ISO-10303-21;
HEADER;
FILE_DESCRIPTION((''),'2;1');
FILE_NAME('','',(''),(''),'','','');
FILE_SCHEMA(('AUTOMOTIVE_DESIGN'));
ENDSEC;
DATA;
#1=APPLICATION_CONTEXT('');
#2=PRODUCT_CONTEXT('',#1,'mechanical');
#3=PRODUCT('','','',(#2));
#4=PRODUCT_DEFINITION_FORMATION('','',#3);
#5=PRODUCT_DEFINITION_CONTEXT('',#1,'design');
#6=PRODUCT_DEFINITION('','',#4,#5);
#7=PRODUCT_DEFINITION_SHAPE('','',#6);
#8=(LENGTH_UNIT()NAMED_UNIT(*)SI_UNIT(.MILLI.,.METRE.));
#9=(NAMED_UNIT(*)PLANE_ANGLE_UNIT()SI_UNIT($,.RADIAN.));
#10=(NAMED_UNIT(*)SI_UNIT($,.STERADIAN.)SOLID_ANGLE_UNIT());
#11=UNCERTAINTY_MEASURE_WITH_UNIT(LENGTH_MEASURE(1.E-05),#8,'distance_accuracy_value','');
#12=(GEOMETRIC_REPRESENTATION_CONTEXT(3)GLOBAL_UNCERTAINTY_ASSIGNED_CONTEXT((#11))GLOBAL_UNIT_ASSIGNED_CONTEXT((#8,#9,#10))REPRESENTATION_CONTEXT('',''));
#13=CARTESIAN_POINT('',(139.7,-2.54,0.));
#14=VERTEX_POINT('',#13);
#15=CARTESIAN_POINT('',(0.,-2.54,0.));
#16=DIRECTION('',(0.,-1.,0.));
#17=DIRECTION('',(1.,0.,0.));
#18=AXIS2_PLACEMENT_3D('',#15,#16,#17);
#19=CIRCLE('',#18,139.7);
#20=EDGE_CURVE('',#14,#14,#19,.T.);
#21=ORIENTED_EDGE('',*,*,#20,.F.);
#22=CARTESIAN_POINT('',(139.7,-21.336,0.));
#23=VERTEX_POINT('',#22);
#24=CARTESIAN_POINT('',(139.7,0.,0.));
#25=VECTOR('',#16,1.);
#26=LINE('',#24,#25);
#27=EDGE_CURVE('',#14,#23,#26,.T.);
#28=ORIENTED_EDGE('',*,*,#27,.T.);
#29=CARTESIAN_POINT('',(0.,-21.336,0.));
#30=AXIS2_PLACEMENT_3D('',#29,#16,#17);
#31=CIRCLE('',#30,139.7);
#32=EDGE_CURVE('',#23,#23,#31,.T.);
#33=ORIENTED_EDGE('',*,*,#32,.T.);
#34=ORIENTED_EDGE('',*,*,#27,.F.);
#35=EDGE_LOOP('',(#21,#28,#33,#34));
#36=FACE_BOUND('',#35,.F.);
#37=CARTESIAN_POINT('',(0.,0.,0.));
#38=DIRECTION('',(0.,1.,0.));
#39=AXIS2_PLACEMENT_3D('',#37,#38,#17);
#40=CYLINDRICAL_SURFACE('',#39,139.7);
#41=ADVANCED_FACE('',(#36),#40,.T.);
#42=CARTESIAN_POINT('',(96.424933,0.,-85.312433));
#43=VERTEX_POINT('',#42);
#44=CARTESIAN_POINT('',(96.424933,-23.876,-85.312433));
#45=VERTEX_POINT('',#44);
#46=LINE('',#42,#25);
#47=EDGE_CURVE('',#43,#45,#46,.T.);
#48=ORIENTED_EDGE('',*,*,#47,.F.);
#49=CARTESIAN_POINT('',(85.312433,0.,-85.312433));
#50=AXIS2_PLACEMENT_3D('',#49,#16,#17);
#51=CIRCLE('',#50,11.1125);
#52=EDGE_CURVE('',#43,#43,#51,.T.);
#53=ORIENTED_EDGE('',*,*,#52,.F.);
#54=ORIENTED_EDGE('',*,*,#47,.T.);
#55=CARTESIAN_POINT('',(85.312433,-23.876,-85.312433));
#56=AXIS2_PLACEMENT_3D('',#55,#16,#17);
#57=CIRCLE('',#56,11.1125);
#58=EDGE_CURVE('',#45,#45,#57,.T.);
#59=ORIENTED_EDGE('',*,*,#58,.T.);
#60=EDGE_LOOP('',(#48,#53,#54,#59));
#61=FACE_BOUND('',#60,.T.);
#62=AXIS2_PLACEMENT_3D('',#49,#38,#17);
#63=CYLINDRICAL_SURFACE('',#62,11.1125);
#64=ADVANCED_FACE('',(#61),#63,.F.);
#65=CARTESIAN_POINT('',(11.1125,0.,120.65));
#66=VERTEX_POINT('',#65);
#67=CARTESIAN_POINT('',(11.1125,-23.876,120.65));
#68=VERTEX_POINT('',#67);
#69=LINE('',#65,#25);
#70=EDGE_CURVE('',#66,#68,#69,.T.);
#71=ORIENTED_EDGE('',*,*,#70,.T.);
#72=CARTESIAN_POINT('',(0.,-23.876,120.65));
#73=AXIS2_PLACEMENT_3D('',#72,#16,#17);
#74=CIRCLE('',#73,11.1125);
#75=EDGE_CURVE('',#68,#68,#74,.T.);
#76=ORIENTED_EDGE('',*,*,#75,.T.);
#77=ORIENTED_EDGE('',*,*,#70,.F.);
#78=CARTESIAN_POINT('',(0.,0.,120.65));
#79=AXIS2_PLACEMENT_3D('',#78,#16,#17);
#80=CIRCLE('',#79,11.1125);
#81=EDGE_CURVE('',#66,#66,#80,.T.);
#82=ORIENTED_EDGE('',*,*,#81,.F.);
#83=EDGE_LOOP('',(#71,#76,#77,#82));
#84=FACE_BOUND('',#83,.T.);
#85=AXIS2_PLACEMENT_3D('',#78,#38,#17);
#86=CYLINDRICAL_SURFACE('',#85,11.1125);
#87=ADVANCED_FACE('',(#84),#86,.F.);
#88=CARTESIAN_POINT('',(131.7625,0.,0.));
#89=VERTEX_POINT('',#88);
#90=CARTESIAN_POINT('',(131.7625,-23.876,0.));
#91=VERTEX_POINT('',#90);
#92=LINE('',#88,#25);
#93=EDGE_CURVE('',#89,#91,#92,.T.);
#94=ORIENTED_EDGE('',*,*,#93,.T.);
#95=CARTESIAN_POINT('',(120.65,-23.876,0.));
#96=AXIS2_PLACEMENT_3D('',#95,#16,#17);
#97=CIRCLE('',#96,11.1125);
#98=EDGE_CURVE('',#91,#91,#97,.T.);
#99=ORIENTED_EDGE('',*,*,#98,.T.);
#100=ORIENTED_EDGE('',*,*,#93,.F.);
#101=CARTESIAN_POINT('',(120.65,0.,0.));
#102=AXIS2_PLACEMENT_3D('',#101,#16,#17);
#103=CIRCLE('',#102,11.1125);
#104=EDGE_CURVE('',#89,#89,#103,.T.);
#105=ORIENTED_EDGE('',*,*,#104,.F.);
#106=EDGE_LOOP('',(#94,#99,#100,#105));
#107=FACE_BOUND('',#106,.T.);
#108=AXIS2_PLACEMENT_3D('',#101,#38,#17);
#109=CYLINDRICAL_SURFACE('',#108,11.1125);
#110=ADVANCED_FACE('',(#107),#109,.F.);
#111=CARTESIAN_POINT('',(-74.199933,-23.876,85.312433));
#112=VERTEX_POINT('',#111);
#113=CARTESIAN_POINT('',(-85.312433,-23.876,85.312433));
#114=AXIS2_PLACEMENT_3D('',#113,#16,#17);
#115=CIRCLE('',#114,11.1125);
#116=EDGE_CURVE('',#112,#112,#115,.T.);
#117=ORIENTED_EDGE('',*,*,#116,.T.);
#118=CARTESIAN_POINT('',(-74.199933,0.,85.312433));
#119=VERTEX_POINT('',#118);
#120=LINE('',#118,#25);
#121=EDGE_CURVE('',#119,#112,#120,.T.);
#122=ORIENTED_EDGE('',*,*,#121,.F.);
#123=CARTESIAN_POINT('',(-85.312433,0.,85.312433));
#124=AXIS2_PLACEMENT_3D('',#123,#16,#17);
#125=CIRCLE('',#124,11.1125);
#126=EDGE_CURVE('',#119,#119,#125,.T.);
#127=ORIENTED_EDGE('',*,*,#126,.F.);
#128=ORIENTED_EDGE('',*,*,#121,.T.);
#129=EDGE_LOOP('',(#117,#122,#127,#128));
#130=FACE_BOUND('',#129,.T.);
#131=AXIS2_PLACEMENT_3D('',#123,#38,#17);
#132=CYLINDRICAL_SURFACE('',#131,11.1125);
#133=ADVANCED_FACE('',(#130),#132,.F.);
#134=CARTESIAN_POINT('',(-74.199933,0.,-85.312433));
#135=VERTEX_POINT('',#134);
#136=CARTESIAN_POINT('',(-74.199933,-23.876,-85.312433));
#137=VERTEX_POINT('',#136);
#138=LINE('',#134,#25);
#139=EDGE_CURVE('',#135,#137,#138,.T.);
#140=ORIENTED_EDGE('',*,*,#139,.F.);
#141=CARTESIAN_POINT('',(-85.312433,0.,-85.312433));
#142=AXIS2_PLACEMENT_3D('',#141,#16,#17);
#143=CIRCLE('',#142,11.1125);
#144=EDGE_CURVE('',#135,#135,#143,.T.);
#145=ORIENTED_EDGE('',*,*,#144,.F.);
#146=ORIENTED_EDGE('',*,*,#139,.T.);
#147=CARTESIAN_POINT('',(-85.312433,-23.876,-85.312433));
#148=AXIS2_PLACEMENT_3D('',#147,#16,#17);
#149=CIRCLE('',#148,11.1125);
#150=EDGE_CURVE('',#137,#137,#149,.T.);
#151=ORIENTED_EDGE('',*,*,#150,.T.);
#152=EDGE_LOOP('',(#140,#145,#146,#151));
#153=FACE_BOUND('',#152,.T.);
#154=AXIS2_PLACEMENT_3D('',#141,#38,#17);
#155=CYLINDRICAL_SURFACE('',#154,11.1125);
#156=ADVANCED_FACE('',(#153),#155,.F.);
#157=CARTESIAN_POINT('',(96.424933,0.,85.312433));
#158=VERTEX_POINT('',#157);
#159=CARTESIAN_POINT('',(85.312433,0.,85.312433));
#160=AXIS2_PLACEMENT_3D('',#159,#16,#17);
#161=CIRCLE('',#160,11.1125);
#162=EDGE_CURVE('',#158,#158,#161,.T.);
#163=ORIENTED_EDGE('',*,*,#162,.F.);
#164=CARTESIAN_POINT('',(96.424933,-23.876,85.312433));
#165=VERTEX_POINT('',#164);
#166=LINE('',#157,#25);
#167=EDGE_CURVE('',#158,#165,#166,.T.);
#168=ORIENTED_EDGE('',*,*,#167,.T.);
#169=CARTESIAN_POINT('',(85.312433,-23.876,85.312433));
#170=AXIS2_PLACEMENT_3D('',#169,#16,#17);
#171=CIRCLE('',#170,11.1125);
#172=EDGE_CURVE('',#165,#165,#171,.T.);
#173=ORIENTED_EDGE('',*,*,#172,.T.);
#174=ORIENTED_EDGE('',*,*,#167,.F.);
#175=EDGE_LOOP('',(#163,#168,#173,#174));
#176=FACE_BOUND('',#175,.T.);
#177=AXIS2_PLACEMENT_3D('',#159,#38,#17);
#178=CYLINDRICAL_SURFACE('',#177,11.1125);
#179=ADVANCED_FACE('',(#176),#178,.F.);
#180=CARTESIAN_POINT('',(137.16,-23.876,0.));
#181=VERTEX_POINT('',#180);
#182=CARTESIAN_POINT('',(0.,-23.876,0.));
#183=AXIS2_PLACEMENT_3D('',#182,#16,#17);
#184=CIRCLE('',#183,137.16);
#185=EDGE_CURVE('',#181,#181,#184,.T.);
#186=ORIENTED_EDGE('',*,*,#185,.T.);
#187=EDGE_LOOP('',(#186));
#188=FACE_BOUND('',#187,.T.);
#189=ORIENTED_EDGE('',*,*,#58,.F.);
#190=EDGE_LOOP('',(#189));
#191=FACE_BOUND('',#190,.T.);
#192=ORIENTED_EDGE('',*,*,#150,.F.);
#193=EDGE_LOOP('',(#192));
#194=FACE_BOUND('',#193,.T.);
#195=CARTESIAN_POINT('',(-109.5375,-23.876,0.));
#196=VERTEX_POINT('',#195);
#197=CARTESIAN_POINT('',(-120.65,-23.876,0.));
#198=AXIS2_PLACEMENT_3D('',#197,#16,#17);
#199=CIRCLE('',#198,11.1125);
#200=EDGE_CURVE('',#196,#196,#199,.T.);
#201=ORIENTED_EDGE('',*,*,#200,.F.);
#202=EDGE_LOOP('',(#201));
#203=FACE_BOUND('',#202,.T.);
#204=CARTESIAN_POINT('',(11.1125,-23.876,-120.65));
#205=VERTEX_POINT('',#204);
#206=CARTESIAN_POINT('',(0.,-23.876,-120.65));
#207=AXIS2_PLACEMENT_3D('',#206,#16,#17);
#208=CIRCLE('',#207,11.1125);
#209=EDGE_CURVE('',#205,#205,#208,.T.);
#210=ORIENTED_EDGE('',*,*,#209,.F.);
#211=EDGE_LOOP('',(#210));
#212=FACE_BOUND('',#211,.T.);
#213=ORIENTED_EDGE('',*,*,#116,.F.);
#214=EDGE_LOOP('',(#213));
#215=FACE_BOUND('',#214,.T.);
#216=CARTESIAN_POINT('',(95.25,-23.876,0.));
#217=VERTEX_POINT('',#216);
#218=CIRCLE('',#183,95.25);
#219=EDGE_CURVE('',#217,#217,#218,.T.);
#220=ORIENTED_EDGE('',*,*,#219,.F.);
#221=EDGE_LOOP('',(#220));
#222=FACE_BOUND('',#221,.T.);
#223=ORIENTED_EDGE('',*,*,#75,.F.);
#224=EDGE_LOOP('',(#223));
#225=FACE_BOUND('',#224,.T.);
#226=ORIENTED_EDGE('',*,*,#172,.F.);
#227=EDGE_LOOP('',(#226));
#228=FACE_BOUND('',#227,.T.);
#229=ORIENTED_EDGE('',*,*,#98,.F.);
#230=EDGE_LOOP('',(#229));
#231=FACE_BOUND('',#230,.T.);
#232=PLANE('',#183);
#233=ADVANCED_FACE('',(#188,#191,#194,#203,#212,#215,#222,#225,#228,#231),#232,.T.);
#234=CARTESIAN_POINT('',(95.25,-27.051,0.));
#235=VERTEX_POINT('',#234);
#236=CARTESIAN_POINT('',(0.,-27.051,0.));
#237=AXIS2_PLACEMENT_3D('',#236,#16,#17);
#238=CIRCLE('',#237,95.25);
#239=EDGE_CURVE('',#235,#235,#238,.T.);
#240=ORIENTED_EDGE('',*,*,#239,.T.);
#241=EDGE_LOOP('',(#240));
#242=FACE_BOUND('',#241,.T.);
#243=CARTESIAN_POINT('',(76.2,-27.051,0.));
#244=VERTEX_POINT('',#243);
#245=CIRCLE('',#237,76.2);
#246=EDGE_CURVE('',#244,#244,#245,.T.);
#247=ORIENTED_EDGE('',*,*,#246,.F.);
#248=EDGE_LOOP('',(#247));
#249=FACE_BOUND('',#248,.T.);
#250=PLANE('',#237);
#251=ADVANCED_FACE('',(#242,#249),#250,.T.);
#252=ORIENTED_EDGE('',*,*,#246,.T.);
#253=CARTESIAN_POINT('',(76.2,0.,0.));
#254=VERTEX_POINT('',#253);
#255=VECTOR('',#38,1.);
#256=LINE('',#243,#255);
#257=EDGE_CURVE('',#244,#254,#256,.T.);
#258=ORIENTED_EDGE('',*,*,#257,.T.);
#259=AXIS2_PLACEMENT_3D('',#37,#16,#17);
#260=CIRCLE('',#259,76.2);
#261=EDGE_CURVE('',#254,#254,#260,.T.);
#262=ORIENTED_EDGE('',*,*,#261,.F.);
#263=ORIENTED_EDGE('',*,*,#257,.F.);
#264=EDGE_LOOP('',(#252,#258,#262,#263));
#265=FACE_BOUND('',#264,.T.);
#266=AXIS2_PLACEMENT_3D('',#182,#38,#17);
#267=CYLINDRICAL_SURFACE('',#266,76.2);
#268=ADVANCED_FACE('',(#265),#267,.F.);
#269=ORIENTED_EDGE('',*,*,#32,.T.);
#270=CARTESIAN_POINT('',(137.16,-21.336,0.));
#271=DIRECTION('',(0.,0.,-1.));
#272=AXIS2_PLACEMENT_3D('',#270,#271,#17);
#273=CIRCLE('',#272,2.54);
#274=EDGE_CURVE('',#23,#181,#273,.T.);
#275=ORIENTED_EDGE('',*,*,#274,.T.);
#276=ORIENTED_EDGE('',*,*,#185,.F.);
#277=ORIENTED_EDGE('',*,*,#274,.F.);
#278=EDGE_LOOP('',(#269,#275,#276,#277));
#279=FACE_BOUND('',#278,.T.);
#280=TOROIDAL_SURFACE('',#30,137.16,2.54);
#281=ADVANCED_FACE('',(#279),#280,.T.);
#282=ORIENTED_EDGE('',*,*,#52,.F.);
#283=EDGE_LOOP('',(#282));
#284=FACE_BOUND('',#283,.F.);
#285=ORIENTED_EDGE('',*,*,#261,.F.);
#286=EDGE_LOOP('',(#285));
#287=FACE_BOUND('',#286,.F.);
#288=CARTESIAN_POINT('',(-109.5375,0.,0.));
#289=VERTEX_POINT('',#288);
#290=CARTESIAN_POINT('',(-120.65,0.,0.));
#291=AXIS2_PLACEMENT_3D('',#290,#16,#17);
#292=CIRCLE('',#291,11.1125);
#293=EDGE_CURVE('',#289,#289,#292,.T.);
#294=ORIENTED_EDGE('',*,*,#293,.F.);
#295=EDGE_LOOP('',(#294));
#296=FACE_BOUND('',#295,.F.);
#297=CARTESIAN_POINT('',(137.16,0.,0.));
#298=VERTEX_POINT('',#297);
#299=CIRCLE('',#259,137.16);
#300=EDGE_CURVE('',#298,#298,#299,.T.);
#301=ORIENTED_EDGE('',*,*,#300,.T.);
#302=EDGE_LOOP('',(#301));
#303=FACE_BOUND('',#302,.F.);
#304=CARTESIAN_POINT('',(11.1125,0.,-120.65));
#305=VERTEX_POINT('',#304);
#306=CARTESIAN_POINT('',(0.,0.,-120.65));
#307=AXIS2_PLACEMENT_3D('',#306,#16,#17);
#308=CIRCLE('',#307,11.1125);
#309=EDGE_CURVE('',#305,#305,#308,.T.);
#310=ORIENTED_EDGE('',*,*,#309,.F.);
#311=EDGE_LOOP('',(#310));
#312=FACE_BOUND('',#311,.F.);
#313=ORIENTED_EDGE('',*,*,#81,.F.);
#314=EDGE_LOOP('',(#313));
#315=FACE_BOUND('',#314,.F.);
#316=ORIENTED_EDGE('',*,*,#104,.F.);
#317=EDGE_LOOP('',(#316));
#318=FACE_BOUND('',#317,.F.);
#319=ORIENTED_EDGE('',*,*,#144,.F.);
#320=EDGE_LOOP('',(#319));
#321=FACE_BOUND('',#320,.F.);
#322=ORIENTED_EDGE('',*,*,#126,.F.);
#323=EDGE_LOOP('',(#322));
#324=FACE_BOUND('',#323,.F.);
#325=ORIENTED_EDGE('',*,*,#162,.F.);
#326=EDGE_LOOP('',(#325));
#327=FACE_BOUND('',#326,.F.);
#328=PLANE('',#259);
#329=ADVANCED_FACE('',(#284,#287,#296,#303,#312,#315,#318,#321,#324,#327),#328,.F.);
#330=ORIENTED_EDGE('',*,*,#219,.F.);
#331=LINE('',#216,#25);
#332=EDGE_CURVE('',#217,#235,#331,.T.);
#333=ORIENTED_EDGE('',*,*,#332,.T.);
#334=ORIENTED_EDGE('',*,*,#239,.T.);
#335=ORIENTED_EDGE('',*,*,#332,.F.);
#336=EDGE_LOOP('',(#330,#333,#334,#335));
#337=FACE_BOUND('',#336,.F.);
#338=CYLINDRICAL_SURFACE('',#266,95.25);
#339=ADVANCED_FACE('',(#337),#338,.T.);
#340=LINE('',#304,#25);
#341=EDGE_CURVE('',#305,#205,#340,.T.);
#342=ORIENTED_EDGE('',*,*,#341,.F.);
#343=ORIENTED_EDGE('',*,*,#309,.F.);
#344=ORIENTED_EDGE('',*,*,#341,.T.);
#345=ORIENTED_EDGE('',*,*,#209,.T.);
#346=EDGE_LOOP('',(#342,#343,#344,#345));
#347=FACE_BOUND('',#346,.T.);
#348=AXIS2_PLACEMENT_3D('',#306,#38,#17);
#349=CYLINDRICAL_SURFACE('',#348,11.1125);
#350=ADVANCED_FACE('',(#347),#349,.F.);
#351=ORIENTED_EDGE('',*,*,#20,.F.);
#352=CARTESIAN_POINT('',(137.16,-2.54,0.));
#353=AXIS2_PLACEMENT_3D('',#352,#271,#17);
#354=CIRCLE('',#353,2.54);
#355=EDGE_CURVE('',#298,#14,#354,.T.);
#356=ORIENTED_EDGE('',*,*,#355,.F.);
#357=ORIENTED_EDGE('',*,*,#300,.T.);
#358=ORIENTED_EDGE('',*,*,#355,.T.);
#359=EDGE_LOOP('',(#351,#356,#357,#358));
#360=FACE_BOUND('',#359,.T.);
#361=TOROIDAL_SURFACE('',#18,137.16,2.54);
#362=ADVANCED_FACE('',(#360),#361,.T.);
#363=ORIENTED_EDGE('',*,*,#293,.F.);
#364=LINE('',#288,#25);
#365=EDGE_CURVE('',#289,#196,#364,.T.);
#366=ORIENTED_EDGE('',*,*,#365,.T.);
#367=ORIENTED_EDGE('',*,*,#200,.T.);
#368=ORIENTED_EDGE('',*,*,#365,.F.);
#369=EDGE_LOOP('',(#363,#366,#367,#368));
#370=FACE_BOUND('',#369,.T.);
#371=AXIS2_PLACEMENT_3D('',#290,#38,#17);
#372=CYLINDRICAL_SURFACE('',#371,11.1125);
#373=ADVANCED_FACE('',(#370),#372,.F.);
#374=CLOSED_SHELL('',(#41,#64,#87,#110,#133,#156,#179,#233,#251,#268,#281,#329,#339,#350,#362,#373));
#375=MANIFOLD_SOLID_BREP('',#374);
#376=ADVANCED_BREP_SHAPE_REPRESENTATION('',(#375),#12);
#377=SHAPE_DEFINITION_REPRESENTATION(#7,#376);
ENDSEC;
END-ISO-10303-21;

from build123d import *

# Parameters (mm, degrees)
F0_R     = 139.7
F0_R_2   = 11.1125
F0_R_3   = 76.2
F1_DEPTH = 23.876
F2_R     = 95.25
F2_R_2   = 76.2
F3_DEPTH = 3.175
F4_R     = 2.54


with BuildPart() as f1:
    # F0 (on Front) → F1 (new body)
    with BuildSketch(Plane.XZ):
        Circle(F0_R)
        with Locations((-85.312433, -85.312433)):
            Circle(F0_R_2, mode=Mode.SUBTRACT)
        with Locations((0, -120.65)):
            Circle(F0_R_2, mode=Mode.SUBTRACT)
        with Locations((85.312433, -85.312433)):
            Circle(F0_R_2, mode=Mode.SUBTRACT)
        with Locations((-120.65, 0)):
            Circle(F0_R_2, mode=Mode.SUBTRACT)
        with Locations((-85.312433, 85.312433)):
            Circle(F0_R_2, mode=Mode.SUBTRACT)
        Circle(F0_R_3, mode=Mode.SUBTRACT)
        with Locations((120.65, 0)):
            Circle(F0_R_2, mode=Mode.SUBTRACT)
        with Locations((0, 120.65)):
            Circle(F0_R_2, mode=Mode.SUBTRACT)
        with Locations((85.312433, 85.312433)):
            Circle(F0_R_2, mode=Mode.SUBTRACT)
    extrude(amount=F1_DEPTH)

    # F2 (on face) → F3 (join)
    with BuildSketch(Plane.XZ.offset(23.876)):
        Circle(F2_R)
        Circle(F2_R_2, mode=Mode.SUBTRACT)
    extrude(amount=F3_DEPTH)

    # F4
    f4_edges = [f1.edges().sort_by_distance(p)[0] for p in [
        (-139.7, -23.876, 0),
        (-139.7, 0, 0),
    ]]
    fillet(f4_edges, radius=F4_R)


solid = f1.part
